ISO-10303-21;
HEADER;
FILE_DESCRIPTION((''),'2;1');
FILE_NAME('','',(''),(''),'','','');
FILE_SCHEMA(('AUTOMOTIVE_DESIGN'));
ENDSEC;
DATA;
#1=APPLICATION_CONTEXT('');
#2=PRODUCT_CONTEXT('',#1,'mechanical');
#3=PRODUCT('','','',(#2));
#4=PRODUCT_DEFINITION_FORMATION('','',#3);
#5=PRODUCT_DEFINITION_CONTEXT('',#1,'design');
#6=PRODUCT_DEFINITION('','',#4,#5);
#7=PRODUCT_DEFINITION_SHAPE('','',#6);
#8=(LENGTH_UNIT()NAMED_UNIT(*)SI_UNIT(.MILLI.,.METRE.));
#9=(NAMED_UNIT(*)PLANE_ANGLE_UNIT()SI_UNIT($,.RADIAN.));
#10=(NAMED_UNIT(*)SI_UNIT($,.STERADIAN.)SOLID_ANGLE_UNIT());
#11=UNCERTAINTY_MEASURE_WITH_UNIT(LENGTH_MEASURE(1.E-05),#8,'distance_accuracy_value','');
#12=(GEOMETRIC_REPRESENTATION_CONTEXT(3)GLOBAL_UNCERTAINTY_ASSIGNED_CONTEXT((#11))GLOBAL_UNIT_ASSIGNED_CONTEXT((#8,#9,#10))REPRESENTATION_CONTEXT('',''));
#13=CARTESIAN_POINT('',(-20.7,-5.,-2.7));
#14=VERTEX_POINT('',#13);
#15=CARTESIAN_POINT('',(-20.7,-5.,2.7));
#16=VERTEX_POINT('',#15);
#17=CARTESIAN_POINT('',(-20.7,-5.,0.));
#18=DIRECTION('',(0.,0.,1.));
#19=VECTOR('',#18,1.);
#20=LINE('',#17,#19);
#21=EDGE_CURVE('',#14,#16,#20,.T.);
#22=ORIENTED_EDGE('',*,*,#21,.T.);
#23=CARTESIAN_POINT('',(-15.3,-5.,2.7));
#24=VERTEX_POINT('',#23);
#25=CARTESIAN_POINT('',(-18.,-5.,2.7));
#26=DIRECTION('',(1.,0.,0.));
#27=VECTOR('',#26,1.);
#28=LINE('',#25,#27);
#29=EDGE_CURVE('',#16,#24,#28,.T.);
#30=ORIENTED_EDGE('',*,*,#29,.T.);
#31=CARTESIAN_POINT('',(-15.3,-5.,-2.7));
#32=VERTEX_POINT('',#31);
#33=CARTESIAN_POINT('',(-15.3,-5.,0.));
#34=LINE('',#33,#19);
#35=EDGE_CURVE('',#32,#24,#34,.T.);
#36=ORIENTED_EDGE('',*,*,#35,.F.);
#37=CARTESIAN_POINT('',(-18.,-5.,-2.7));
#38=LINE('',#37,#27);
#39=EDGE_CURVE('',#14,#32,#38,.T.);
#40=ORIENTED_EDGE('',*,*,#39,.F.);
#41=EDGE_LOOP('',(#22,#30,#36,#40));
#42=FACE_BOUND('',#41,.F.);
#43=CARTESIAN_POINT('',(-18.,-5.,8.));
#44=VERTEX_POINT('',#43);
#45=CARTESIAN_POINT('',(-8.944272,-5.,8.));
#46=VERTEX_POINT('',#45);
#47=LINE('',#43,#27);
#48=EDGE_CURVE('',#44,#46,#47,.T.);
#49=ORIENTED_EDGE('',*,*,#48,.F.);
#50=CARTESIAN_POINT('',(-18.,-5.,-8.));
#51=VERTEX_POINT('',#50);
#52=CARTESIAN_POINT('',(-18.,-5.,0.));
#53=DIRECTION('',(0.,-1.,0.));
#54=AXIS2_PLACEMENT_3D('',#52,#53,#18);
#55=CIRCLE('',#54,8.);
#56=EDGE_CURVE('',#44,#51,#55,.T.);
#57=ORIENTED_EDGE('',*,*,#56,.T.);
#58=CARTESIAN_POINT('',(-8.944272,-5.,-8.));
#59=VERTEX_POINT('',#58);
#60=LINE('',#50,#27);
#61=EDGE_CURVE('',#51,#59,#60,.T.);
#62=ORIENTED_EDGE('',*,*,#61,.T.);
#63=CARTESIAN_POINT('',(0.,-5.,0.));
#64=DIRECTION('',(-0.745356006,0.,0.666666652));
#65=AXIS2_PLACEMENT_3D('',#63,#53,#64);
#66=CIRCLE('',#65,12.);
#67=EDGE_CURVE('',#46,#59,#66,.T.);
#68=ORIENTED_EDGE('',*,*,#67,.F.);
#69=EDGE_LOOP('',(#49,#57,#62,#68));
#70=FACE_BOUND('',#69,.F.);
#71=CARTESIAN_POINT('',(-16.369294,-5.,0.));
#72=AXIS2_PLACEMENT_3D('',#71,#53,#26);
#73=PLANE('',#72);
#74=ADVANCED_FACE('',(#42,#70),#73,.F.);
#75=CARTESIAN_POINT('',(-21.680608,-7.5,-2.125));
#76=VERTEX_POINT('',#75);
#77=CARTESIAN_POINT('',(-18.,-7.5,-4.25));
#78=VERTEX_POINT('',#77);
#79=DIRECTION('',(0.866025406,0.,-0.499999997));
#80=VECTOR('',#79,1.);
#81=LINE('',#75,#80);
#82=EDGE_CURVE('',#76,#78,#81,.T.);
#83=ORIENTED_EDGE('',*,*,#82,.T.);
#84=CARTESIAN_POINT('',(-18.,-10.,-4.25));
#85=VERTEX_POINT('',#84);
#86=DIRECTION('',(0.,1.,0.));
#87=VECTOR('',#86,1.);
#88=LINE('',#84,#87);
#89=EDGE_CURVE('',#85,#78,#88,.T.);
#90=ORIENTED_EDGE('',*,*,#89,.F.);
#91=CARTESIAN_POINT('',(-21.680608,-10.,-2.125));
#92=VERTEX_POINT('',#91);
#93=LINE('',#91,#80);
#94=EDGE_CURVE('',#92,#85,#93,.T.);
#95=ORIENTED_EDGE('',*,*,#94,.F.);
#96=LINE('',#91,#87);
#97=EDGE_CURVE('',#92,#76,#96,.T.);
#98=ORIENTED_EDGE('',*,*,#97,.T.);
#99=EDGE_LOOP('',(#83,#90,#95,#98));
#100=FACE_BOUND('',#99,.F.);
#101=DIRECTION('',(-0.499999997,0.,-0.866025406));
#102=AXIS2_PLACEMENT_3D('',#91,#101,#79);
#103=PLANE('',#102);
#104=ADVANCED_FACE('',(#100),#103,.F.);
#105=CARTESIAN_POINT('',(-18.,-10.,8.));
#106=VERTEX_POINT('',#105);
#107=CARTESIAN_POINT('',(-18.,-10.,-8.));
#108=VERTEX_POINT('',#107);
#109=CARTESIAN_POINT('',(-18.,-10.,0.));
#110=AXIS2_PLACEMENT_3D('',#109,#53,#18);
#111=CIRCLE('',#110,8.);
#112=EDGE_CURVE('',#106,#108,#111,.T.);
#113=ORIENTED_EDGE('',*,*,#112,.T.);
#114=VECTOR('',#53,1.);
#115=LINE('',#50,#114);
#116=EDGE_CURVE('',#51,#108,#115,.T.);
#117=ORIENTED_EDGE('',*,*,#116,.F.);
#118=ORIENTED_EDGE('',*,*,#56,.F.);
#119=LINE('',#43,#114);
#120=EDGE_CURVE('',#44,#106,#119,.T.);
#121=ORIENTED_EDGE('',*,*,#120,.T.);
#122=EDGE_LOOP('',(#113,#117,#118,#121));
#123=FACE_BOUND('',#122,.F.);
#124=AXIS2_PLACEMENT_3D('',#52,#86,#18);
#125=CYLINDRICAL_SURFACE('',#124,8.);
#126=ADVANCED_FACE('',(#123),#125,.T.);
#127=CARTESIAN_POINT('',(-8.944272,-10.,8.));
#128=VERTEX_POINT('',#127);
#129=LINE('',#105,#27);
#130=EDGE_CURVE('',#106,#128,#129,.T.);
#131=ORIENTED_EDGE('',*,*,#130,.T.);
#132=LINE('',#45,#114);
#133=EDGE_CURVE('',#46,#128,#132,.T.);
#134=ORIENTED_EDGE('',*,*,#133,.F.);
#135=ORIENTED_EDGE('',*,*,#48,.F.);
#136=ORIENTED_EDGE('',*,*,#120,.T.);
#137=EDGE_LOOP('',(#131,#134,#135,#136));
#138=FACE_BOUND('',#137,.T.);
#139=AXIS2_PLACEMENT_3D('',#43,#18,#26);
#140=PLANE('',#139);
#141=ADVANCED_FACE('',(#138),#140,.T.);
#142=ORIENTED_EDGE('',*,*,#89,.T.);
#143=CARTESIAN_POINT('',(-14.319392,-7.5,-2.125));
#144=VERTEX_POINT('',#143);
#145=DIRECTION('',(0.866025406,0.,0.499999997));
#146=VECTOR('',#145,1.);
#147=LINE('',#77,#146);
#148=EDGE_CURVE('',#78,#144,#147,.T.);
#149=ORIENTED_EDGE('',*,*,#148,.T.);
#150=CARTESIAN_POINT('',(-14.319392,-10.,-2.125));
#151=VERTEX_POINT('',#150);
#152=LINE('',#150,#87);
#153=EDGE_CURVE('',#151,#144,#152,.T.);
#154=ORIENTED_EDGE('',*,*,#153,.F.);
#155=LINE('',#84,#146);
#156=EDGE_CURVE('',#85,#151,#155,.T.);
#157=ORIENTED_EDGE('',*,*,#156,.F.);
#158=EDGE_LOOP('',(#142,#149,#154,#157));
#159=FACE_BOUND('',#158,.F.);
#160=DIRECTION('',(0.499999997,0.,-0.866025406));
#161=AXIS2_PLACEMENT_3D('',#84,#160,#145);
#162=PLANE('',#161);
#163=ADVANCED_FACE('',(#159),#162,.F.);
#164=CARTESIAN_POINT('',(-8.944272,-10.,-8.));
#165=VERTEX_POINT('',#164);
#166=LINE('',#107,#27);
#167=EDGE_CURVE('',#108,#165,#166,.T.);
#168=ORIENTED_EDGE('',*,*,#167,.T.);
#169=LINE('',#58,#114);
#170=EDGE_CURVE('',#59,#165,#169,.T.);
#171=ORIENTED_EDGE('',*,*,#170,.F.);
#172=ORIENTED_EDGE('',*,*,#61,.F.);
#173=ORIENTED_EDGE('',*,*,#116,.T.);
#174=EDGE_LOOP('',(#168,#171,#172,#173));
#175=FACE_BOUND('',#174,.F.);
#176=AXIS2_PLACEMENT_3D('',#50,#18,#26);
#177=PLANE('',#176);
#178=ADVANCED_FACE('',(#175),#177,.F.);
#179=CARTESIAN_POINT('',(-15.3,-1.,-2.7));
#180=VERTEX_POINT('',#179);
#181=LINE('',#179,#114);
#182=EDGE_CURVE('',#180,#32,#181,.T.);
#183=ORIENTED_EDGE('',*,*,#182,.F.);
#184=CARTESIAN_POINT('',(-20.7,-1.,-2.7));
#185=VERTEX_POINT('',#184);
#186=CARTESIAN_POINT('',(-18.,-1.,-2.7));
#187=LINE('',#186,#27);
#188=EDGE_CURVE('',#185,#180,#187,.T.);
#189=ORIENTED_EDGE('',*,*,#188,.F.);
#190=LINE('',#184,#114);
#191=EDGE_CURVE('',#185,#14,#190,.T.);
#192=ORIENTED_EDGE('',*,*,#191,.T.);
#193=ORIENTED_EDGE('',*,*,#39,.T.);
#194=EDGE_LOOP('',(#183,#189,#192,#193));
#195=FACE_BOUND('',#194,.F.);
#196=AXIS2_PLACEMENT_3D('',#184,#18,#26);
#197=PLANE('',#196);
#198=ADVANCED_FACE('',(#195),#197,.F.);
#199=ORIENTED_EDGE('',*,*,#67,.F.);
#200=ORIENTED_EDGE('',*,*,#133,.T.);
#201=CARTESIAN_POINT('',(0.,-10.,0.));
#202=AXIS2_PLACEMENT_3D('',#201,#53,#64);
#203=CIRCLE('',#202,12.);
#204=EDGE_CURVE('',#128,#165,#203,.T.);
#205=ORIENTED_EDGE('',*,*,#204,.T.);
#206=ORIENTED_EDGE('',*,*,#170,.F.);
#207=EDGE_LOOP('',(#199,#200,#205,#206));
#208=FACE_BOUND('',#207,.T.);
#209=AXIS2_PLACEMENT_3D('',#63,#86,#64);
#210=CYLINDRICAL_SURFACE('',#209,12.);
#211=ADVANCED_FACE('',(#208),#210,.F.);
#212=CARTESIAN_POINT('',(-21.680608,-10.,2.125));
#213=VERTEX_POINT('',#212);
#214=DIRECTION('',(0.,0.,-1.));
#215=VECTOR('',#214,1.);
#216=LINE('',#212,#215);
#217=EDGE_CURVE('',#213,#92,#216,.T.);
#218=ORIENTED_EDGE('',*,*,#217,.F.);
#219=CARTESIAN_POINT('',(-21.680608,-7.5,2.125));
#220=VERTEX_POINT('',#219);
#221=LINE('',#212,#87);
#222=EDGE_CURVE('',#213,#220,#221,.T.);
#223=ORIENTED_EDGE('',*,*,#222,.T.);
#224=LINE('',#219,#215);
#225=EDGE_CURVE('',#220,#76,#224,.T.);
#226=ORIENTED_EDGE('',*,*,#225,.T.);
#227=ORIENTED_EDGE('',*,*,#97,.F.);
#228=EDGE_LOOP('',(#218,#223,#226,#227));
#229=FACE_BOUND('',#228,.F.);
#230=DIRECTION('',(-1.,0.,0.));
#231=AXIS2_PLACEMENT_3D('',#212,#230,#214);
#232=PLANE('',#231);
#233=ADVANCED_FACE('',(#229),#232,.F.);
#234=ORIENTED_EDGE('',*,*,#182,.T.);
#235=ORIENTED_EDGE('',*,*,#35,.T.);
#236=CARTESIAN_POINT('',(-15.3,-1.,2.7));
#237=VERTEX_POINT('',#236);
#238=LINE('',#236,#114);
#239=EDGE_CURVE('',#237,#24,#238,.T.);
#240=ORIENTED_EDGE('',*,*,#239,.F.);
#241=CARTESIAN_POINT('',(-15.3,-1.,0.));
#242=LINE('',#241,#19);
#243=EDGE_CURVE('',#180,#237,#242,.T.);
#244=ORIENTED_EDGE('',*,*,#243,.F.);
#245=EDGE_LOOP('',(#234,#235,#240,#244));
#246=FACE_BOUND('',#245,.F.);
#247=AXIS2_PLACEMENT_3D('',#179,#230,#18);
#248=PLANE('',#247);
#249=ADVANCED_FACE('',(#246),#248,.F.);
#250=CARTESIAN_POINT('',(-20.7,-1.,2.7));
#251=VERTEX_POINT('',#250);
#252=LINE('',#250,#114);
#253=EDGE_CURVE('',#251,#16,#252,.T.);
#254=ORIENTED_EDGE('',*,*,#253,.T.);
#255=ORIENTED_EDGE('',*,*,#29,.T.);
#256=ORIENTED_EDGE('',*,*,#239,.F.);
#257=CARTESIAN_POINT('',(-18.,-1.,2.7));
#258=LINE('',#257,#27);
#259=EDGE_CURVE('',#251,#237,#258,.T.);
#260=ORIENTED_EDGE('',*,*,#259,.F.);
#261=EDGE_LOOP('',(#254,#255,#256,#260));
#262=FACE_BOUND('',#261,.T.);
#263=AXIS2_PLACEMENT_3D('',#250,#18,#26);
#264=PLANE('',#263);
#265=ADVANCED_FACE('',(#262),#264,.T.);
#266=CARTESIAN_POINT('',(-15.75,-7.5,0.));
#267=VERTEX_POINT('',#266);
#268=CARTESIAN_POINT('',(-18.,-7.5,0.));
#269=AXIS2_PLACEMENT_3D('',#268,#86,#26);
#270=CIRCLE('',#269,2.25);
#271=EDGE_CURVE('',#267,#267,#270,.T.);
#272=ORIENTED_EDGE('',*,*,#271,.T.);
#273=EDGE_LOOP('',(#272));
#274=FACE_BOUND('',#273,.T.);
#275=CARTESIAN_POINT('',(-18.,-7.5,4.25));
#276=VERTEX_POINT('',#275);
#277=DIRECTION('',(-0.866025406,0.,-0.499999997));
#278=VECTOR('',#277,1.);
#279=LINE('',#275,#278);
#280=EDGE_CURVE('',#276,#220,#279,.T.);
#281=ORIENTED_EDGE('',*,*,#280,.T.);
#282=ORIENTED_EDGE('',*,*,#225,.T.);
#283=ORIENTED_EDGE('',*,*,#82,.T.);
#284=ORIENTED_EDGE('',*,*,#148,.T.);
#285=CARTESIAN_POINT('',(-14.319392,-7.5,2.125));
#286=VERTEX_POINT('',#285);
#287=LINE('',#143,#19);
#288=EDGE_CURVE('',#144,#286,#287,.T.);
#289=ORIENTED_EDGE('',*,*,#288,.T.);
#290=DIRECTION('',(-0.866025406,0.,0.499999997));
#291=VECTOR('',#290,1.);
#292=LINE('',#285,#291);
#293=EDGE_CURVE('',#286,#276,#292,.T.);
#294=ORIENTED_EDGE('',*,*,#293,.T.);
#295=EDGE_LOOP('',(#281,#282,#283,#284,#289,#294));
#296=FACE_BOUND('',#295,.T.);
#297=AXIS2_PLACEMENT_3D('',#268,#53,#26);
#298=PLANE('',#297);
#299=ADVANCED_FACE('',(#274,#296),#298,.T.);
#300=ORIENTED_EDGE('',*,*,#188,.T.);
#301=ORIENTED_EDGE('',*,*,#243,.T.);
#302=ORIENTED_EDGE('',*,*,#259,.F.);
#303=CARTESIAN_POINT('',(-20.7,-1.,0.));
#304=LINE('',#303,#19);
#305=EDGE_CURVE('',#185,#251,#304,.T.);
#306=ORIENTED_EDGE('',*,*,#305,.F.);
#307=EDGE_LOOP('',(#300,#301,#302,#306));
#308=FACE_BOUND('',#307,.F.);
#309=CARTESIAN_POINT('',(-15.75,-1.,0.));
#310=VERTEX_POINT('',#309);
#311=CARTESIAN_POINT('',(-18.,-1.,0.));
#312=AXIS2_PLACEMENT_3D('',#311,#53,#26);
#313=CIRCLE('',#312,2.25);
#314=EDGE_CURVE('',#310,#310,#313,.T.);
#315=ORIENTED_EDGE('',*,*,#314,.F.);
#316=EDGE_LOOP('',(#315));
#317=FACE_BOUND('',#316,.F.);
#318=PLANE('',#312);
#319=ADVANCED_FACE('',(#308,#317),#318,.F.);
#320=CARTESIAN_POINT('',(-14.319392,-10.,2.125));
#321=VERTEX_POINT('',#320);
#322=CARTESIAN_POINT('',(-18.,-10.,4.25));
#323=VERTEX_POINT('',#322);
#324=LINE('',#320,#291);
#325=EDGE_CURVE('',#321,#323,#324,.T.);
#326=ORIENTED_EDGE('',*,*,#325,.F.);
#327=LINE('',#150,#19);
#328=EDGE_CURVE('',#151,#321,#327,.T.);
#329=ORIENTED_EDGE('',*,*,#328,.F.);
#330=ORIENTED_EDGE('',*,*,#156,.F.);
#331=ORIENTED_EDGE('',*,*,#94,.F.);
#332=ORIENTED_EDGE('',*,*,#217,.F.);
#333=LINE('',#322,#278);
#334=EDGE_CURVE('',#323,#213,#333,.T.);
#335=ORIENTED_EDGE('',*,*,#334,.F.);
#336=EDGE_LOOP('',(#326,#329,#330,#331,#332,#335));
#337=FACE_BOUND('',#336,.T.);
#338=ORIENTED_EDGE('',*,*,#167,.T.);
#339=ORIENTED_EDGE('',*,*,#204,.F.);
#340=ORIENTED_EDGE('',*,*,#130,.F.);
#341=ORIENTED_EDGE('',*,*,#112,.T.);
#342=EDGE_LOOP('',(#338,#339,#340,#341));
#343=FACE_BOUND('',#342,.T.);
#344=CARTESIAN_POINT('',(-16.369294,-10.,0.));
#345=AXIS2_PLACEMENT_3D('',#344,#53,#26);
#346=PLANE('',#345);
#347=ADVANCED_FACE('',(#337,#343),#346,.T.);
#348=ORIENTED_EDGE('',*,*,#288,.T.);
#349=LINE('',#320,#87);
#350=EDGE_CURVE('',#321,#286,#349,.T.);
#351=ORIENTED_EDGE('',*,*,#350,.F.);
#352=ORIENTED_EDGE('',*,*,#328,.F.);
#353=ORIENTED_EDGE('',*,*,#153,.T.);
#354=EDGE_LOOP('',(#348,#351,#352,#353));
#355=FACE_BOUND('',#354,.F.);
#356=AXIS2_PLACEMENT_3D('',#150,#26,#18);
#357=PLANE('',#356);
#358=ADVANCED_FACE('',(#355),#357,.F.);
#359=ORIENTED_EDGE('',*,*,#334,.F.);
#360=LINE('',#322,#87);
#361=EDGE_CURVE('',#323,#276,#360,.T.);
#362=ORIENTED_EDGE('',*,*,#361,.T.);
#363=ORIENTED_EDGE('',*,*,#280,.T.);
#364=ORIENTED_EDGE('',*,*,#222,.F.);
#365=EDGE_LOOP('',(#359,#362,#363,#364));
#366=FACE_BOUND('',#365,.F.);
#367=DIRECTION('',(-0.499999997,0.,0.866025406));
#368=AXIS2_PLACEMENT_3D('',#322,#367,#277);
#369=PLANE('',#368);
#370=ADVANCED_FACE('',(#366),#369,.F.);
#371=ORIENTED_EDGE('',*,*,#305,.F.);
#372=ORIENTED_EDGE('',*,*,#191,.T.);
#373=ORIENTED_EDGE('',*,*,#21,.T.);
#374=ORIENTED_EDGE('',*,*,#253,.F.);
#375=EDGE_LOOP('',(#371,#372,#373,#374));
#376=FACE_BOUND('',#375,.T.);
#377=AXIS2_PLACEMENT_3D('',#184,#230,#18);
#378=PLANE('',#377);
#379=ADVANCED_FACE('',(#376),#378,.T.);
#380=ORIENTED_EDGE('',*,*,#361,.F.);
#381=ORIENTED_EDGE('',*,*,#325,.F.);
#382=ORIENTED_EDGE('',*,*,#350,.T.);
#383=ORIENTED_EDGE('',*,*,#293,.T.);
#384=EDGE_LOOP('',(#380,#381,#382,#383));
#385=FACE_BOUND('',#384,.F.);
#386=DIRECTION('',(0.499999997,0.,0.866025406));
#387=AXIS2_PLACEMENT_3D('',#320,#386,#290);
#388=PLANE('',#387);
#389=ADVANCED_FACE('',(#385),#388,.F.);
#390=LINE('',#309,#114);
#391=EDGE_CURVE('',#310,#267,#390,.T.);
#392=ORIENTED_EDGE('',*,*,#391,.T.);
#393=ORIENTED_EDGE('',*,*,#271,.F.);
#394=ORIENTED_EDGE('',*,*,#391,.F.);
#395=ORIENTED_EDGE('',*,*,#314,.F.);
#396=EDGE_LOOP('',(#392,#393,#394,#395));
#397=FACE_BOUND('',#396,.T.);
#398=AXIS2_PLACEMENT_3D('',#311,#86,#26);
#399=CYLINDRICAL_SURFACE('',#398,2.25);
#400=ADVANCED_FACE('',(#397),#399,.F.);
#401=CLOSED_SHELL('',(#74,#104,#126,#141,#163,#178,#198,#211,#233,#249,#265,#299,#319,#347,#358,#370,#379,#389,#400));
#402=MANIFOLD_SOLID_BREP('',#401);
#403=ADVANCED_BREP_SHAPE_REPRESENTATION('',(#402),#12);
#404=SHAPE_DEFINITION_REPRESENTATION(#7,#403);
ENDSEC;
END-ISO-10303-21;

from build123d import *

# Parameters (mm, degrees)
PAD023_DEPTH      = 5
BOX003_W          = 5.4
BOX003_H          = 5.4
BOX003_DEPTH      = 4
CYLINDER064_R     = 2.25
CYLINDER064_DEPTH = 9
POCKET005_DEPTH   = 2.5


with BuildPart() as part:
    # Sketch033 → Pad023 (new body)
    with BuildSketch(Plane.XZ):
        with BuildLine():
            ThreePointArc((-18, 8), (-26, 0), (-18, -8))
            Line((-18, -8), (-8.944272, -8))
            ThreePointArc((-8.944272, 8), (-12, 0), (-8.944272, -8))
            Line((-18, 8), (-8.944272, 8))
        make_face()
    extrude(amount=PAD023_DEPTH)

    # Box003 → Box003 (join)
    with BuildSketch(Plane(origin=(-20.7, 4, -2.7), x_dir=(1, 0, 0), z_dir=(0, -1, 0))):
        with Locations((2.7, 2.7)):
            Rectangle(BOX003_W, BOX003_H)
    extrude(amount=BOX003_DEPTH)

    # Cylinder064 → Cylinder064 (cut)
    with BuildSketch(Plane(origin=(-18, 4, 0), x_dir=(1, 0, 0), z_dir=(0, -1, 0))):
        Circle(CYLINDER064_R)
    extrude(amount=CYLINDER064_DEPTH, mode=Mode.SUBTRACT)

    # Sketch035 (on Face5 of Cylinder064) → Pocket005 (cut)
    with BuildSketch(Plane(origin=(-18, -5, 0), x_dir=(1, 0, 0), z_dir=(0, -1, 0))):
        Polygon((3.680608, 2.125), (0, 4.25), (-3.680608, 2.125), (-3.680608, -2.125), (0, -4.25), (3.680608, -2.125), align=None)
    extrude(amount=-POCKET005_DEPTH, mode=Mode.SUBTRACT)


with BuildPart() as part_1:
    # Body035 placement: moved
    add(part.part.moved(Location((0, -5, 0))))


solid = part_1.part
